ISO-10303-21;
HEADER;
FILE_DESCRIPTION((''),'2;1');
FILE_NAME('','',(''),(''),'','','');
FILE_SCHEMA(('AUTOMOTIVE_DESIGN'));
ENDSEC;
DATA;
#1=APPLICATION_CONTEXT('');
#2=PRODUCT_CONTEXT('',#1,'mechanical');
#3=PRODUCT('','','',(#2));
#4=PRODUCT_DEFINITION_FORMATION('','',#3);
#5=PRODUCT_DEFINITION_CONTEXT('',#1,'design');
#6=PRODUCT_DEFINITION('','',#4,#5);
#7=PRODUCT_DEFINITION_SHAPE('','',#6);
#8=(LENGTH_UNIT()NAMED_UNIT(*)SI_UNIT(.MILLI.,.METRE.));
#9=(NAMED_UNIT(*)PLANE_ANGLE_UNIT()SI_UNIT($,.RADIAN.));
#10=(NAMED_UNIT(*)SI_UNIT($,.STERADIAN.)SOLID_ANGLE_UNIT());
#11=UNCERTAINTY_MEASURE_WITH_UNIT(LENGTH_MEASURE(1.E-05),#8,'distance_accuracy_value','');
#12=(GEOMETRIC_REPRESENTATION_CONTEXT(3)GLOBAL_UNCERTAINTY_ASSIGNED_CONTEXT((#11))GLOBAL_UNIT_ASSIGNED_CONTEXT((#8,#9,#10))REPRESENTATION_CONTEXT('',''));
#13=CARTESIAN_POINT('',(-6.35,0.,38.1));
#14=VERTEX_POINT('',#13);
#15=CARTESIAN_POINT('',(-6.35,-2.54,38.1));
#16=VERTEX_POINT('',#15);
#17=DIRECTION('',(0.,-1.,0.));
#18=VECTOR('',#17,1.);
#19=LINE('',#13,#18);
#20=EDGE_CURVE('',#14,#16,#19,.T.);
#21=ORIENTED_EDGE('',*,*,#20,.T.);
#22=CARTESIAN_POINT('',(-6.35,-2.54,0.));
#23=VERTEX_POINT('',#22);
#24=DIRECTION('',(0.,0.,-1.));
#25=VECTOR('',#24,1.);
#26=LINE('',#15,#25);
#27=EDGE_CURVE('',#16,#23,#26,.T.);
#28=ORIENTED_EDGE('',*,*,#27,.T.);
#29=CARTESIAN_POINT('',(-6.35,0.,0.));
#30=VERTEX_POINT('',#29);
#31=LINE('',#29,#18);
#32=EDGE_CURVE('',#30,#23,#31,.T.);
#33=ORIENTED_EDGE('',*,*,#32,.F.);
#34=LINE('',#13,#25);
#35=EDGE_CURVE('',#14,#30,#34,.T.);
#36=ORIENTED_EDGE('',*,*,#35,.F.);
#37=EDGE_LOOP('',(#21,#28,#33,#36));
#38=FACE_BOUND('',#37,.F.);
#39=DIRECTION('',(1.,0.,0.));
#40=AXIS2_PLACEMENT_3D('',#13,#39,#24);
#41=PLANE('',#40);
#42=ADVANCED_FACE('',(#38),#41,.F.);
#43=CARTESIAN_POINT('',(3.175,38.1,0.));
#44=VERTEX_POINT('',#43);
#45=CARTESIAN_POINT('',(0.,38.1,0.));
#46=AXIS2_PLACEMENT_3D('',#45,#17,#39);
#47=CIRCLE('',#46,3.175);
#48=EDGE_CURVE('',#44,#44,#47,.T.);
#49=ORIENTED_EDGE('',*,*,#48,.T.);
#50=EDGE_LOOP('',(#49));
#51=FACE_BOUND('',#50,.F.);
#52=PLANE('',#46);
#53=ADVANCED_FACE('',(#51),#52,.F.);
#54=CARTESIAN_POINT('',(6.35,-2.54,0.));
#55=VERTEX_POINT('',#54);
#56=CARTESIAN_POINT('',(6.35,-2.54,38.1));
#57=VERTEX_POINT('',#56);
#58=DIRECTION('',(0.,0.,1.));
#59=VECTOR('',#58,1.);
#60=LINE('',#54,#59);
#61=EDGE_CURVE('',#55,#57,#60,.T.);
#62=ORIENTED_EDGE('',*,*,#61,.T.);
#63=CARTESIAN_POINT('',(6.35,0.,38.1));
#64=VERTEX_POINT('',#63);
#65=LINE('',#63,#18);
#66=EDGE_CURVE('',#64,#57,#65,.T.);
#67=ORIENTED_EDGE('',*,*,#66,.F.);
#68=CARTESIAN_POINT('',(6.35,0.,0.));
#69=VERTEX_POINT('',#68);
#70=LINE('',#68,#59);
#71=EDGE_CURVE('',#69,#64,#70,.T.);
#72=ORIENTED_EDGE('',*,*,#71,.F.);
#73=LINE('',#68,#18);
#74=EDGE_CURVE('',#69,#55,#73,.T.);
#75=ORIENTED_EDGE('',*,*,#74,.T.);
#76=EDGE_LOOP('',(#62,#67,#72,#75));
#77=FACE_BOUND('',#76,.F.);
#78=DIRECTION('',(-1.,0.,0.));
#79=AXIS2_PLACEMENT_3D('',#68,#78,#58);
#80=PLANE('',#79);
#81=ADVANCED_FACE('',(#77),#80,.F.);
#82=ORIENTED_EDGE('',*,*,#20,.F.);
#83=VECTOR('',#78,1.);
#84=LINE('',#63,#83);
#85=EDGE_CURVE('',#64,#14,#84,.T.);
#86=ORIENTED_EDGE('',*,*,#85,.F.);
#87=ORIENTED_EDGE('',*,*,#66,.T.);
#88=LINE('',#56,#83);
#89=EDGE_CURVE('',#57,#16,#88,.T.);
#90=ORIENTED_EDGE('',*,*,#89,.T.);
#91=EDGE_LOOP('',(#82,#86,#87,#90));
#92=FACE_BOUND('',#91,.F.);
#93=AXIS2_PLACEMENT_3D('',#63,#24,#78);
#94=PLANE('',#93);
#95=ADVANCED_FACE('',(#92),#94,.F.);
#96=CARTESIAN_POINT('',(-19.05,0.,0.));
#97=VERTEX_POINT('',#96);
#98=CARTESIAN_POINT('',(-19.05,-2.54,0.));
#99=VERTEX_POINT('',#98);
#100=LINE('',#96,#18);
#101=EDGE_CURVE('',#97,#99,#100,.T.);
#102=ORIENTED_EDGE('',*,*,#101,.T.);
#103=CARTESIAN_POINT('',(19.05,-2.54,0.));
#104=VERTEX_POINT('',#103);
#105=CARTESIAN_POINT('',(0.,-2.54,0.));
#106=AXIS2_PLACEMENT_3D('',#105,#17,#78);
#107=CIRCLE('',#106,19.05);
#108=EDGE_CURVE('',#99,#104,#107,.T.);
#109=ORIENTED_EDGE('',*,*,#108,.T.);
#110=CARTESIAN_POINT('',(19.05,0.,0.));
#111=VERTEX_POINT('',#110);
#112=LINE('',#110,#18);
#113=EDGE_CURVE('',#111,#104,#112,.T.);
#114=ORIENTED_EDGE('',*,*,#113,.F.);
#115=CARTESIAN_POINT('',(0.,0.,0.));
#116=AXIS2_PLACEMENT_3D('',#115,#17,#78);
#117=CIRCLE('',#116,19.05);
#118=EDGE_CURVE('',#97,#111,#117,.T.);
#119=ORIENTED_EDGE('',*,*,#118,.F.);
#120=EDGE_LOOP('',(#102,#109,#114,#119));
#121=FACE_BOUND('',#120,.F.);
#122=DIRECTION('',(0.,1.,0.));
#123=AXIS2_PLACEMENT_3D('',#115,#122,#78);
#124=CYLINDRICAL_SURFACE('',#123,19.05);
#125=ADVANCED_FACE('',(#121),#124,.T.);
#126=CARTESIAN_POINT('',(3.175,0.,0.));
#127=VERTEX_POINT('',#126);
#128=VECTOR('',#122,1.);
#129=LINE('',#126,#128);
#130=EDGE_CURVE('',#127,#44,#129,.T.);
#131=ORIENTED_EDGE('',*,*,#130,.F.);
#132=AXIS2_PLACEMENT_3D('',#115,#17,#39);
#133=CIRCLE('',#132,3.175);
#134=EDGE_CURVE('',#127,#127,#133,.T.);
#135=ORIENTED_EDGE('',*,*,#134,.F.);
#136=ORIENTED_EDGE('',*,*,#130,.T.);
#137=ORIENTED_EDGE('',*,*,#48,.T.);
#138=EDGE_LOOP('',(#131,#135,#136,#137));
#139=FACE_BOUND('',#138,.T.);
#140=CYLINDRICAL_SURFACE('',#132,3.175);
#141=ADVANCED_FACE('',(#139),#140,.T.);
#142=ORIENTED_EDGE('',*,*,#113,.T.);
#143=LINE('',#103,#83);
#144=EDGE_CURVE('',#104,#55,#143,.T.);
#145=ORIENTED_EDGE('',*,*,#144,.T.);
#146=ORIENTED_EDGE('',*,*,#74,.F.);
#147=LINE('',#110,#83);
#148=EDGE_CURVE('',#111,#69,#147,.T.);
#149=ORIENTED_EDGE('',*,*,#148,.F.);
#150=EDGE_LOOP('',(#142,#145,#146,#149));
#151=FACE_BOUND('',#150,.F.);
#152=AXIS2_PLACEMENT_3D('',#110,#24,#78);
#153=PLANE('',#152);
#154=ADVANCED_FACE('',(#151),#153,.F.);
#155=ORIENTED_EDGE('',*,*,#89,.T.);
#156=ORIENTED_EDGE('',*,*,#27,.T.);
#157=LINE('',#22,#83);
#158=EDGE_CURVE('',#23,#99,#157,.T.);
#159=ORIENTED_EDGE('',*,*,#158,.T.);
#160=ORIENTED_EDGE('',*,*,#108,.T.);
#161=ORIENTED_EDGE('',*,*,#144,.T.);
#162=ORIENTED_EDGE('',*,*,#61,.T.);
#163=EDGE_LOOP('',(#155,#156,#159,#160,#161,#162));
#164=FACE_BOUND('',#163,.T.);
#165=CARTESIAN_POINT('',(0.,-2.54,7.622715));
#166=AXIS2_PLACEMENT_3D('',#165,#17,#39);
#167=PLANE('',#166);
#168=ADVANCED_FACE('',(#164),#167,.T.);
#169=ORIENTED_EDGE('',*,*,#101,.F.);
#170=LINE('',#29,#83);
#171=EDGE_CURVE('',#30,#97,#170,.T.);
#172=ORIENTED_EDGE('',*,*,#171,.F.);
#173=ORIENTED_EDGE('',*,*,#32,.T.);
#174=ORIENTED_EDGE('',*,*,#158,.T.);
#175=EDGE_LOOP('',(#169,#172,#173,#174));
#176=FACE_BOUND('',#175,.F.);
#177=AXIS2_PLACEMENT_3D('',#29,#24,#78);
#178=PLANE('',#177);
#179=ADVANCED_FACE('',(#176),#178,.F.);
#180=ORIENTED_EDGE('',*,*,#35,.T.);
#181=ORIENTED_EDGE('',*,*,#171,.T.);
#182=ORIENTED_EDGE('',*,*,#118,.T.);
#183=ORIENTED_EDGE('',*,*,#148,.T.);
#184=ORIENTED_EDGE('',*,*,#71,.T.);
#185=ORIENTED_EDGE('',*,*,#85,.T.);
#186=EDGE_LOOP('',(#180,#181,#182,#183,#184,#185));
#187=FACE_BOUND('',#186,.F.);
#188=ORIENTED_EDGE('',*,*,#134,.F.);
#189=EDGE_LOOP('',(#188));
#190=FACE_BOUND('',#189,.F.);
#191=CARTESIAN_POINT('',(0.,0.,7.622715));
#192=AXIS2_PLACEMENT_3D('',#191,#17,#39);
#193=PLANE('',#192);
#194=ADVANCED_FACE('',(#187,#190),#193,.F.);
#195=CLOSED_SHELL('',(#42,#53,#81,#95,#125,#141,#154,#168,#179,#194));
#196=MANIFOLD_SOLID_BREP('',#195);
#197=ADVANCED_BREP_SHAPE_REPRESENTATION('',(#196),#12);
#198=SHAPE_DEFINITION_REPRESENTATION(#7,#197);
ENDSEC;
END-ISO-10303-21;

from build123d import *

# Parameters (mm, degrees)
F0_R     = 3.175
F1_DEPTH = 38.1
F3_DEPTH = 2.54


with BuildPart() as f1:
    # F0 (on Front) → F1 (new body)
    with BuildSketch(Plane.XZ):
        Circle(F0_R)
    extrude(amount=-F1_DEPTH)

    # F2 (on face) → F3 (join)
    with BuildSketch(Plane.XZ):
        with BuildLine():
            Line((-6.35, 0), (-19.05, 0))
            ThreePointArc((-19.05, 0), (0, -19.05), (19.05, 0))
            Line((19.05, 0), (6.35, 0))
            Line((6.35, 0), (6.35, 38.1))
            Line((6.35, 38.1), (-6.35, 38.1))
            Line((-6.35, 38.1), (-6.35, 0))
        make_face()
    extrude(amount=F3_DEPTH)


solid = f1.part
